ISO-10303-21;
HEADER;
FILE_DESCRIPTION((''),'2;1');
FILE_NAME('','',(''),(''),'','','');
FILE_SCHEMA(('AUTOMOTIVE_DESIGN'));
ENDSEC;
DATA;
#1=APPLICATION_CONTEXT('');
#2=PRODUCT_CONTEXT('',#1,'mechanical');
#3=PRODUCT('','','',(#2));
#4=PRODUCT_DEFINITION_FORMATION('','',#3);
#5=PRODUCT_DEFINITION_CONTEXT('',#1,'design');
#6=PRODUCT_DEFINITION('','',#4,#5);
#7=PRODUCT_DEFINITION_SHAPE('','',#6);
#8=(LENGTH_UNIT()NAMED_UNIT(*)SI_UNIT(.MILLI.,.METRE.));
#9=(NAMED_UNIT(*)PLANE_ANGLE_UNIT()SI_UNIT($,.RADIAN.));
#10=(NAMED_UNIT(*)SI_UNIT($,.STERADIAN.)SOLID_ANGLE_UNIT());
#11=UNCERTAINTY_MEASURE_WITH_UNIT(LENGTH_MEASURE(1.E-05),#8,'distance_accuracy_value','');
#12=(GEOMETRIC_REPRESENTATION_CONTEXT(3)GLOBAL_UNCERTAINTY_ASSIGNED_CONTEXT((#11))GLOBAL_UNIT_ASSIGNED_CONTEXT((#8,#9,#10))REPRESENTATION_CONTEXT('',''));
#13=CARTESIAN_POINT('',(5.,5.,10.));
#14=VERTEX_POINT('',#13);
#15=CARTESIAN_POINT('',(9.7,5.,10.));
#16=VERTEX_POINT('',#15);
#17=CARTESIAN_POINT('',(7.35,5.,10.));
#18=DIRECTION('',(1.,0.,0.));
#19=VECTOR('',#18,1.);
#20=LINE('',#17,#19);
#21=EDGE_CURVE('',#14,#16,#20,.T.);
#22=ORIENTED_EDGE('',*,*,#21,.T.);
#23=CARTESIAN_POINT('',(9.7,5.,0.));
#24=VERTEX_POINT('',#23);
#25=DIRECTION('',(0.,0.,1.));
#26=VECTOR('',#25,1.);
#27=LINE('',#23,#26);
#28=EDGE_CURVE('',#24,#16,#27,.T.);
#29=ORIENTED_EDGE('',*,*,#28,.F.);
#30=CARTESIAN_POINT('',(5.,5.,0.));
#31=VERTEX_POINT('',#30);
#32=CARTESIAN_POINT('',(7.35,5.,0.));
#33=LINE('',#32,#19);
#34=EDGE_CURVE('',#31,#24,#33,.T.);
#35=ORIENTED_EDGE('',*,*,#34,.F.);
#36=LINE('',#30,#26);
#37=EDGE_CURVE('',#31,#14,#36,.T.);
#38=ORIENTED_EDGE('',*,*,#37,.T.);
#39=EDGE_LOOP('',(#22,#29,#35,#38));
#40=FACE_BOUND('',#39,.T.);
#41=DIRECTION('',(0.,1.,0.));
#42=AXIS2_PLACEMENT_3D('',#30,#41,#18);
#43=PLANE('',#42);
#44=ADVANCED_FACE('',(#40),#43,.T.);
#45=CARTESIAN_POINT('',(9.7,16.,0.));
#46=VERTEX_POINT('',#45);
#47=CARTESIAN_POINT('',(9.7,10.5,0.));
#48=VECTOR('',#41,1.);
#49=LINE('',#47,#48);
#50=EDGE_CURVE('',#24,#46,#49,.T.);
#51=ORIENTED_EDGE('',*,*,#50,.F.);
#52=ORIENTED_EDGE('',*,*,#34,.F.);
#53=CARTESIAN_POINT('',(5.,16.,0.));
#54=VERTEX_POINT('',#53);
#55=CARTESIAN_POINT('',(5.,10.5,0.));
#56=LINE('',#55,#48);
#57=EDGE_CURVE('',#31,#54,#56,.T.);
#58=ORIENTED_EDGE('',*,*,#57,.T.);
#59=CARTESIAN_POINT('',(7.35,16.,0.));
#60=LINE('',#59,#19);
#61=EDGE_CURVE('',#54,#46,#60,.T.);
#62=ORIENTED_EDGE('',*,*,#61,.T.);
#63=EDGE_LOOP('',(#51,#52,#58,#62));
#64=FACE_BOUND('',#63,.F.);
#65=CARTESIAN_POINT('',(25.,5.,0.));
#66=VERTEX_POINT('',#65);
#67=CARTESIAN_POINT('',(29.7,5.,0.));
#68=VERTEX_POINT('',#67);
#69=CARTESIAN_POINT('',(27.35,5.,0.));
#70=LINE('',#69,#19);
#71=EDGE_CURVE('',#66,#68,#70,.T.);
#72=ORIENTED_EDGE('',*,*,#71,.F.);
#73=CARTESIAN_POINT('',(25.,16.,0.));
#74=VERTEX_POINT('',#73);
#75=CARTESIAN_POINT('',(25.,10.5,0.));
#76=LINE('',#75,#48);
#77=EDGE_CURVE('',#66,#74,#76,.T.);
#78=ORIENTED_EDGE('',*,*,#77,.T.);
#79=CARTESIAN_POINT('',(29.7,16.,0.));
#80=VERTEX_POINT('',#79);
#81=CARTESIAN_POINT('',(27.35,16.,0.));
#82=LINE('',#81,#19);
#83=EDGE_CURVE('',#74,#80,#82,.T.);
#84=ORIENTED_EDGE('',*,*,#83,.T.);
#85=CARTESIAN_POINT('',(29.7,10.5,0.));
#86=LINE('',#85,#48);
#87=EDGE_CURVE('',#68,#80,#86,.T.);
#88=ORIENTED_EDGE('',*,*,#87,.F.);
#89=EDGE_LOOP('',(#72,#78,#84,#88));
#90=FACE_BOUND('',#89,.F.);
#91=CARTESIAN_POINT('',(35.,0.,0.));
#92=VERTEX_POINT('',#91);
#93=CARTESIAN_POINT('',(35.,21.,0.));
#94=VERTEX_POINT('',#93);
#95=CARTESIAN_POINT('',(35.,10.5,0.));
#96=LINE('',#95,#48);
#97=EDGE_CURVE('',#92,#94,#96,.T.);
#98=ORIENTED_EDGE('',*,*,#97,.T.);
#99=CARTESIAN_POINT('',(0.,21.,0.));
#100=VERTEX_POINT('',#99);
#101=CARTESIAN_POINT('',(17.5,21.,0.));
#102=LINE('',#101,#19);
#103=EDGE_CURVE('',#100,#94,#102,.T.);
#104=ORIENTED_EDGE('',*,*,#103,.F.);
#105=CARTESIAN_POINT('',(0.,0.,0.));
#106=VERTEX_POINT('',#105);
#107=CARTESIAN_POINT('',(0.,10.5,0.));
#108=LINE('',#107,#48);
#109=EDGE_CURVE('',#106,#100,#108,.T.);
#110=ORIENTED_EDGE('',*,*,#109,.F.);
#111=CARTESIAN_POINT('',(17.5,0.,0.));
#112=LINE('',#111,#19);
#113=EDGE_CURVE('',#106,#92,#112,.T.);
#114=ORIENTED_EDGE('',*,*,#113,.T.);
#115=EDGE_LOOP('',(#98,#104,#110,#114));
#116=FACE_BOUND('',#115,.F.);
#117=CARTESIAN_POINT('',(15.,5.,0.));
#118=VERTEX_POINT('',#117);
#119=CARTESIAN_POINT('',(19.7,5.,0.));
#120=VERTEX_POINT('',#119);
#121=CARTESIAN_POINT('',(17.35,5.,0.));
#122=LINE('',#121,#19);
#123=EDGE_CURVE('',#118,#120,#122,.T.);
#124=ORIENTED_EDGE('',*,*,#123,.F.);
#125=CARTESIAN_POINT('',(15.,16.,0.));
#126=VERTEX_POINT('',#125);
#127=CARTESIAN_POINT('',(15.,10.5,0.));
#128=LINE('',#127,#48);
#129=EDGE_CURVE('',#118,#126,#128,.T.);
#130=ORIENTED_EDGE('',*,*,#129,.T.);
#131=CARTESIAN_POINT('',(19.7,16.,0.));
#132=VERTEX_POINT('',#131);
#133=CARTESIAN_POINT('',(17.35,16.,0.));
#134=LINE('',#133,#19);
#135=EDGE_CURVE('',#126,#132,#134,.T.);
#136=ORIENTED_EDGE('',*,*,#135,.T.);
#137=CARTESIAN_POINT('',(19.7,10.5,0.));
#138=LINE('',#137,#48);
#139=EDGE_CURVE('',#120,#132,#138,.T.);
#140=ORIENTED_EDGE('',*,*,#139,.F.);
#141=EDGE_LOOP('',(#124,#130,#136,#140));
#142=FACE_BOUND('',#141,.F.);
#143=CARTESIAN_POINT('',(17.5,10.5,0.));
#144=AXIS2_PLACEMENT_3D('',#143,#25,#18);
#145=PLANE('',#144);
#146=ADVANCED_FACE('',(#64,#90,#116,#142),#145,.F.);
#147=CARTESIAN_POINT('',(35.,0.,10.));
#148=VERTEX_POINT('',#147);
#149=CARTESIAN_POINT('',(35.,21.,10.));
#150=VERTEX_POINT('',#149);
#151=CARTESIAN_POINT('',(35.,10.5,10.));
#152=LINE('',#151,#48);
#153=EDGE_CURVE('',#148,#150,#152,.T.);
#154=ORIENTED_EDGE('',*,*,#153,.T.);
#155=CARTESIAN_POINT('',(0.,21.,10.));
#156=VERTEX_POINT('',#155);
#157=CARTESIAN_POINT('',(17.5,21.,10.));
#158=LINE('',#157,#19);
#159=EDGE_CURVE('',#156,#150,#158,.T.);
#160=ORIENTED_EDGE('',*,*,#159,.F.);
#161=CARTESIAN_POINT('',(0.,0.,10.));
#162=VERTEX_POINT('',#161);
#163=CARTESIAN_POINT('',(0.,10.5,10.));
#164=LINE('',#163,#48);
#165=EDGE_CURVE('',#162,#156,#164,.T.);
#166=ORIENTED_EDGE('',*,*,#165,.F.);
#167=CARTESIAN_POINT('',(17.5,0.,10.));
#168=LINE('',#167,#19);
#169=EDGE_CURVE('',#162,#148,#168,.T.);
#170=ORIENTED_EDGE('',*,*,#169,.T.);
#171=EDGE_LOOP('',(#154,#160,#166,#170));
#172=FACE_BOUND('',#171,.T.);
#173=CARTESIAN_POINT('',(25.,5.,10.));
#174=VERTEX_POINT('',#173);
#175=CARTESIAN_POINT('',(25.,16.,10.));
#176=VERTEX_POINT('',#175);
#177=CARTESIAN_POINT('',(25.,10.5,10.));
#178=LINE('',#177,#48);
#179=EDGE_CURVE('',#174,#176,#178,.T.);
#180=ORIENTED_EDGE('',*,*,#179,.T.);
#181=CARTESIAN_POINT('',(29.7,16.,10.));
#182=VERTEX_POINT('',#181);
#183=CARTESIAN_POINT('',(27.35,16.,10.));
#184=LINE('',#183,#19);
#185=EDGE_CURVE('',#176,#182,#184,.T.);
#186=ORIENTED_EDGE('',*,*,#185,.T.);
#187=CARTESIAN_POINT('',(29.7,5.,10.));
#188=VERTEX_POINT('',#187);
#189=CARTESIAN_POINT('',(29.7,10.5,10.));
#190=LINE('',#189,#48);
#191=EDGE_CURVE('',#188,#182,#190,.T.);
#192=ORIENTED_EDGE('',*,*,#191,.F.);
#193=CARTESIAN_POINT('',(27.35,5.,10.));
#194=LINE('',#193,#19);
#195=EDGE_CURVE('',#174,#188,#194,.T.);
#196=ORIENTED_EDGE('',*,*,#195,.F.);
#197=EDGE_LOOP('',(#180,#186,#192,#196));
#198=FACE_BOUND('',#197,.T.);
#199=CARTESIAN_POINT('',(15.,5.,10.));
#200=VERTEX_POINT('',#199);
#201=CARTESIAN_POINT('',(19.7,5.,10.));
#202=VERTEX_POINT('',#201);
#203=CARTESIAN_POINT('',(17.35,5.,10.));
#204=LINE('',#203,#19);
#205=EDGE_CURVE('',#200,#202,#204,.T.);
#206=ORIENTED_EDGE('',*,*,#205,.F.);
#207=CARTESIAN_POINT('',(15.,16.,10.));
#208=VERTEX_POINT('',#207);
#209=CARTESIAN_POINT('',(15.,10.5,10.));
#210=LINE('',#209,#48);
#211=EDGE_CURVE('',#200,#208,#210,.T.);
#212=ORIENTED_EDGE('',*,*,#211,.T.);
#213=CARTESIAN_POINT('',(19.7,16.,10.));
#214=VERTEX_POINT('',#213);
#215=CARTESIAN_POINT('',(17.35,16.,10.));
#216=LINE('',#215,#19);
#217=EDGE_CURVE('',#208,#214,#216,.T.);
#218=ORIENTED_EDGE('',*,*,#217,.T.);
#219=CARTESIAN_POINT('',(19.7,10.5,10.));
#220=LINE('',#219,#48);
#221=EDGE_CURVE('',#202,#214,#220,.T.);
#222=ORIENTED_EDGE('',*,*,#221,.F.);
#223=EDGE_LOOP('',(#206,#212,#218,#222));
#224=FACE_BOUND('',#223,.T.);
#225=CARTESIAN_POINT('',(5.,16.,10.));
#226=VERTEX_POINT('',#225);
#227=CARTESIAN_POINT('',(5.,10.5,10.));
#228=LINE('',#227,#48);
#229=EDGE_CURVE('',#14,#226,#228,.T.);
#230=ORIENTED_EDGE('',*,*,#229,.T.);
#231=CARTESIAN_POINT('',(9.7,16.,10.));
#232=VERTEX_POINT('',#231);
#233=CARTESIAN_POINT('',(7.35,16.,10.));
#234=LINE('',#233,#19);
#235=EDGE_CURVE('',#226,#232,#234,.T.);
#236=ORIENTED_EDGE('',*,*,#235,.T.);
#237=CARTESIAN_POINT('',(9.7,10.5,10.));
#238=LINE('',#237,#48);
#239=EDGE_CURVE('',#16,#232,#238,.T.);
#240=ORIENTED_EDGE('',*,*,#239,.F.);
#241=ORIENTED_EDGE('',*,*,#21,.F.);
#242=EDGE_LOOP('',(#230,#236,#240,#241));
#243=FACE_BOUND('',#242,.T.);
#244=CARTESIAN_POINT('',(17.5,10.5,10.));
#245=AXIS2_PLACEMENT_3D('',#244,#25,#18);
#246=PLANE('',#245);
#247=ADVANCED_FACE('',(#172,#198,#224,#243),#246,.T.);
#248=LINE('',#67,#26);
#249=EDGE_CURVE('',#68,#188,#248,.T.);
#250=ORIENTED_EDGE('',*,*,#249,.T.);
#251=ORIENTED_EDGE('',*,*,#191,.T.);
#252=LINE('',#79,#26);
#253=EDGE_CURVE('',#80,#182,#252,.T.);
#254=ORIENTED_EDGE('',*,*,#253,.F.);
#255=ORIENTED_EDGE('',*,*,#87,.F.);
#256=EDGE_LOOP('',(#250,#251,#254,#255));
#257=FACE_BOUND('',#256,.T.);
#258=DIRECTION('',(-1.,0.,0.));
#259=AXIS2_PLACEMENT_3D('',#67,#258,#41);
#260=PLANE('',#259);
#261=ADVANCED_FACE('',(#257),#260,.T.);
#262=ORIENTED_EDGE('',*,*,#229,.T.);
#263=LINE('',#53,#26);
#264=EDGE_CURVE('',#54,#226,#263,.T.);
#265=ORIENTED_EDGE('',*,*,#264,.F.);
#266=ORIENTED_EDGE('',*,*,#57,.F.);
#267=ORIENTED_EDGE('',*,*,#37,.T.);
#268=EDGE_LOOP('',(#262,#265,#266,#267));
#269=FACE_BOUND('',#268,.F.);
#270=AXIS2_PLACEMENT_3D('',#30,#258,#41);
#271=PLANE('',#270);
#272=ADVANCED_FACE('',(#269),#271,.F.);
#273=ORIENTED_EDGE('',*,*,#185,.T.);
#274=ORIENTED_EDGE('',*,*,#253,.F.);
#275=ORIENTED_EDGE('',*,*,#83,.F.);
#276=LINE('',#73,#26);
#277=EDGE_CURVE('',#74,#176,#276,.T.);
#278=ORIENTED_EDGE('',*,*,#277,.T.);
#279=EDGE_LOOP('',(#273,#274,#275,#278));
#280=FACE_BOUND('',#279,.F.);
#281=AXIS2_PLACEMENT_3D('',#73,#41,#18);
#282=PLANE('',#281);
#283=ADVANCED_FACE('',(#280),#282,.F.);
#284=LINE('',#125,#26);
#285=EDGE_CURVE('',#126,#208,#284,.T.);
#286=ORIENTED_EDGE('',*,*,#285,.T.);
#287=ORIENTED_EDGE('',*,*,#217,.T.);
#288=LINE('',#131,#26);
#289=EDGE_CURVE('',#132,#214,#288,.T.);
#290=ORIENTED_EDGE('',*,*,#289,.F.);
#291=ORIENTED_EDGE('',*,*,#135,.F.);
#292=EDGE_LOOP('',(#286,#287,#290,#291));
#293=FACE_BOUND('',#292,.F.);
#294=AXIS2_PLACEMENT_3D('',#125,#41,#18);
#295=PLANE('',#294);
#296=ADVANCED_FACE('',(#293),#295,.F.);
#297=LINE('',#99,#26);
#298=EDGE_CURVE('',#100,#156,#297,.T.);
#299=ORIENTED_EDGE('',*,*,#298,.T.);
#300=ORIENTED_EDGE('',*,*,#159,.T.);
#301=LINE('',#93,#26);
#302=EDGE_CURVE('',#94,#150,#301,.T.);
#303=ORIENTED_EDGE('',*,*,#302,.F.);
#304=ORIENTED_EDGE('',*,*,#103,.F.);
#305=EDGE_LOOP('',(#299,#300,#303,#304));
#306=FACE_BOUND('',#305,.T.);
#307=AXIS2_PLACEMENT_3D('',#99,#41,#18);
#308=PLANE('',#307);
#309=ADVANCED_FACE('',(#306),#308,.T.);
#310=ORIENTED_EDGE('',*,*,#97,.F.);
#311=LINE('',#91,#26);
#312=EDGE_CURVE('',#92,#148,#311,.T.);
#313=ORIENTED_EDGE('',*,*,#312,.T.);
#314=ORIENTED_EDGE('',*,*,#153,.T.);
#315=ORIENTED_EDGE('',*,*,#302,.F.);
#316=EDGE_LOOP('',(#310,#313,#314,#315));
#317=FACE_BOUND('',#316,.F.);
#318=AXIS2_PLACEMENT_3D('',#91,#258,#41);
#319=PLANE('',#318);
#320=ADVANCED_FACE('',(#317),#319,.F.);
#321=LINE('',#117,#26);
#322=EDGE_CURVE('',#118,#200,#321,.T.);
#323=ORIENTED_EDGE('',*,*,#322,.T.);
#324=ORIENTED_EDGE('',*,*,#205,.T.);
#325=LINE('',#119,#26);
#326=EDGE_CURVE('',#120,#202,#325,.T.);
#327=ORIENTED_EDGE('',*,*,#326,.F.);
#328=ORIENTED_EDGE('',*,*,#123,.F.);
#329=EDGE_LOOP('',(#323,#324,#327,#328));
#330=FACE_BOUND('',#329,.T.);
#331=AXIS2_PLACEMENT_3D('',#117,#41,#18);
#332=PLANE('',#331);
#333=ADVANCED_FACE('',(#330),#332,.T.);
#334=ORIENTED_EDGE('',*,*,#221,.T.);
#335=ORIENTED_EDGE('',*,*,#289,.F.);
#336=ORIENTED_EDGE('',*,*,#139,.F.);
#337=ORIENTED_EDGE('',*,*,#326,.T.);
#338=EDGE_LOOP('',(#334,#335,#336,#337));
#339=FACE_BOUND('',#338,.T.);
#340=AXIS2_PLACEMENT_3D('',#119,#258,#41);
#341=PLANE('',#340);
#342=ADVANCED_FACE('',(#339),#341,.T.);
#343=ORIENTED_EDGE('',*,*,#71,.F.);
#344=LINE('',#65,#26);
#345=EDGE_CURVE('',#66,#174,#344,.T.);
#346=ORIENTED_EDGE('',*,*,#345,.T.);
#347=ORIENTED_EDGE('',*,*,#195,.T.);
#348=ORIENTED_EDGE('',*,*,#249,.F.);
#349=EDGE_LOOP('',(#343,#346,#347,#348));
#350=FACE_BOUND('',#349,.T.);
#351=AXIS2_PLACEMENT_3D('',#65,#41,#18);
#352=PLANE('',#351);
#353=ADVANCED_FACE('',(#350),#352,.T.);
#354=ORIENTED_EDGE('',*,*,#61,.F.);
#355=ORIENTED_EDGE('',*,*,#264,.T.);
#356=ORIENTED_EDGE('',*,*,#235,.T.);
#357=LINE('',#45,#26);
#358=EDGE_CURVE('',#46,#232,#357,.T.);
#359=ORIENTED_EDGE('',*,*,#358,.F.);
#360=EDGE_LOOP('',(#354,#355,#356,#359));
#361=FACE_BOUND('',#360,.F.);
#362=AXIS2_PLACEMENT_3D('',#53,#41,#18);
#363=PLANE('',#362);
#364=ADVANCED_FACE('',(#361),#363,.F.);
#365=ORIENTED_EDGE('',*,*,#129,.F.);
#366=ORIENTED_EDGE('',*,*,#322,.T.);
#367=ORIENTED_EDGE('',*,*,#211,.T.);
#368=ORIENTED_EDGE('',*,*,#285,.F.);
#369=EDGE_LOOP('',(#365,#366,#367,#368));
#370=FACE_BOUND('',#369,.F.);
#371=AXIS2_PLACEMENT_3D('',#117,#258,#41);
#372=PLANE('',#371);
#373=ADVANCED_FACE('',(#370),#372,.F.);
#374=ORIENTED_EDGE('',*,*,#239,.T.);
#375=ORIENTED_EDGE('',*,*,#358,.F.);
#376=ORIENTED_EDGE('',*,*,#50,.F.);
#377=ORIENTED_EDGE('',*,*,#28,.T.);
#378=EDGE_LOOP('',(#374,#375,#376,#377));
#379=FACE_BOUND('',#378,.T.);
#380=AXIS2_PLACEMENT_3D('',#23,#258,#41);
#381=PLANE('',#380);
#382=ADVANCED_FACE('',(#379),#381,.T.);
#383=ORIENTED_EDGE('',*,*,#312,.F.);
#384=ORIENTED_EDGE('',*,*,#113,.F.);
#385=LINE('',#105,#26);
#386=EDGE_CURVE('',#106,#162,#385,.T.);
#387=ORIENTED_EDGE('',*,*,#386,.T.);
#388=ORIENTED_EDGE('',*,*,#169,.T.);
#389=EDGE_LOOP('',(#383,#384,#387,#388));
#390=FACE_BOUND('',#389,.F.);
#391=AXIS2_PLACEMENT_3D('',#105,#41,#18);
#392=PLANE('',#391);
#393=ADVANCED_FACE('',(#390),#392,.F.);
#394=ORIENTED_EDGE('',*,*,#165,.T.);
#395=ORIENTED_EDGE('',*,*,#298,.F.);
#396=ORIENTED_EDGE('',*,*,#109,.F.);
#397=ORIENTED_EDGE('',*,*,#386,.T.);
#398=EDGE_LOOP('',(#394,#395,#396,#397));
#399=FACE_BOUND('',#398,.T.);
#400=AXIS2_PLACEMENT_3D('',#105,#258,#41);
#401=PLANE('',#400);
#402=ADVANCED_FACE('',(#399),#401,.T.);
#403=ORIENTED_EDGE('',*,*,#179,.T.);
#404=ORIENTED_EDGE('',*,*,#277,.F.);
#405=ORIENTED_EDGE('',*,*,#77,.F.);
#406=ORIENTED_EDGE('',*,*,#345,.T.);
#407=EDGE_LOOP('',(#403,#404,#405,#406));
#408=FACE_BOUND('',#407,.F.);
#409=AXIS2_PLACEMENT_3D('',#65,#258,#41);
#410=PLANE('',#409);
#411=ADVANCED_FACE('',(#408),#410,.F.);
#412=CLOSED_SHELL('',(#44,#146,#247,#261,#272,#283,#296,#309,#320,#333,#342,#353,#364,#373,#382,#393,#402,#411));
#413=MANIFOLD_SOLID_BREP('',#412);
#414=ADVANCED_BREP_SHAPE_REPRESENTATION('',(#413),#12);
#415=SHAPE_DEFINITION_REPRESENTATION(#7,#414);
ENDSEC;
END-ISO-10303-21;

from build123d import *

# Parameters (mm, degrees)
BOX002_W     = 4.7
BOX002_H     = 11
BOX002_DEPTH = 10
BOX003_W     = 4.7
BOX003_H     = 11
BOX003_DEPTH = 10
BOX001_W     = 4.7
BOX001_H     = 11
BOX001_DEPTH = 10
BOX_W        = 35
BOX_H        = 21
BOX_DEPTH    = 10


with BuildPart() as cubo002:
    # Box002 → Box002 (new body)
    with BuildSketch(Plane(origin=(15, 5, 0), x_dir=(1, 0, 0), z_dir=(0, 0, 1))):
        with Locations((2.35, 5.5)):
            Rectangle(BOX002_W, BOX002_H)
    extrude(amount=BOX002_DEPTH)


with BuildPart() as cubo003:
    # Box003 → Box003 (new body)
    with BuildSketch(Plane(origin=(25, 5, 0), x_dir=(1, 0, 0), z_dir=(0, 0, 1))):
        with Locations((2.35, 5.5)):
            Rectangle(BOX003_W, BOX003_H)
    extrude(amount=BOX003_DEPTH)


with BuildPart() as cubo001:
    # Box001 → Box001 (new body)
    with BuildSketch(Plane(origin=(5, 5, 0), x_dir=(1, 0, 0), z_dir=(0, 0, 1))):
        with Locations((2.35, 5.5)):
            Rectangle(BOX001_W, BOX001_H)
    extrude(amount=BOX001_DEPTH)


with BuildPart() as cut002:
    # Box → Box (new body)
    with BuildSketch(Plane.XY):
        with Locations((17.5, 10.5)):
            Rectangle(BOX_W, BOX_H)
    extrude(amount=BOX_DEPTH)

    # Cut: cut Cubo001
    add(cubo001.part, mode=Mode.SUBTRACT)

    # Cut001: cut Cubo003
    add(cubo003.part, mode=Mode.SUBTRACT)

    # Cut002: cut Cubo002
    add(cubo002.part, mode=Mode.SUBTRACT)


solid = cut002.part
